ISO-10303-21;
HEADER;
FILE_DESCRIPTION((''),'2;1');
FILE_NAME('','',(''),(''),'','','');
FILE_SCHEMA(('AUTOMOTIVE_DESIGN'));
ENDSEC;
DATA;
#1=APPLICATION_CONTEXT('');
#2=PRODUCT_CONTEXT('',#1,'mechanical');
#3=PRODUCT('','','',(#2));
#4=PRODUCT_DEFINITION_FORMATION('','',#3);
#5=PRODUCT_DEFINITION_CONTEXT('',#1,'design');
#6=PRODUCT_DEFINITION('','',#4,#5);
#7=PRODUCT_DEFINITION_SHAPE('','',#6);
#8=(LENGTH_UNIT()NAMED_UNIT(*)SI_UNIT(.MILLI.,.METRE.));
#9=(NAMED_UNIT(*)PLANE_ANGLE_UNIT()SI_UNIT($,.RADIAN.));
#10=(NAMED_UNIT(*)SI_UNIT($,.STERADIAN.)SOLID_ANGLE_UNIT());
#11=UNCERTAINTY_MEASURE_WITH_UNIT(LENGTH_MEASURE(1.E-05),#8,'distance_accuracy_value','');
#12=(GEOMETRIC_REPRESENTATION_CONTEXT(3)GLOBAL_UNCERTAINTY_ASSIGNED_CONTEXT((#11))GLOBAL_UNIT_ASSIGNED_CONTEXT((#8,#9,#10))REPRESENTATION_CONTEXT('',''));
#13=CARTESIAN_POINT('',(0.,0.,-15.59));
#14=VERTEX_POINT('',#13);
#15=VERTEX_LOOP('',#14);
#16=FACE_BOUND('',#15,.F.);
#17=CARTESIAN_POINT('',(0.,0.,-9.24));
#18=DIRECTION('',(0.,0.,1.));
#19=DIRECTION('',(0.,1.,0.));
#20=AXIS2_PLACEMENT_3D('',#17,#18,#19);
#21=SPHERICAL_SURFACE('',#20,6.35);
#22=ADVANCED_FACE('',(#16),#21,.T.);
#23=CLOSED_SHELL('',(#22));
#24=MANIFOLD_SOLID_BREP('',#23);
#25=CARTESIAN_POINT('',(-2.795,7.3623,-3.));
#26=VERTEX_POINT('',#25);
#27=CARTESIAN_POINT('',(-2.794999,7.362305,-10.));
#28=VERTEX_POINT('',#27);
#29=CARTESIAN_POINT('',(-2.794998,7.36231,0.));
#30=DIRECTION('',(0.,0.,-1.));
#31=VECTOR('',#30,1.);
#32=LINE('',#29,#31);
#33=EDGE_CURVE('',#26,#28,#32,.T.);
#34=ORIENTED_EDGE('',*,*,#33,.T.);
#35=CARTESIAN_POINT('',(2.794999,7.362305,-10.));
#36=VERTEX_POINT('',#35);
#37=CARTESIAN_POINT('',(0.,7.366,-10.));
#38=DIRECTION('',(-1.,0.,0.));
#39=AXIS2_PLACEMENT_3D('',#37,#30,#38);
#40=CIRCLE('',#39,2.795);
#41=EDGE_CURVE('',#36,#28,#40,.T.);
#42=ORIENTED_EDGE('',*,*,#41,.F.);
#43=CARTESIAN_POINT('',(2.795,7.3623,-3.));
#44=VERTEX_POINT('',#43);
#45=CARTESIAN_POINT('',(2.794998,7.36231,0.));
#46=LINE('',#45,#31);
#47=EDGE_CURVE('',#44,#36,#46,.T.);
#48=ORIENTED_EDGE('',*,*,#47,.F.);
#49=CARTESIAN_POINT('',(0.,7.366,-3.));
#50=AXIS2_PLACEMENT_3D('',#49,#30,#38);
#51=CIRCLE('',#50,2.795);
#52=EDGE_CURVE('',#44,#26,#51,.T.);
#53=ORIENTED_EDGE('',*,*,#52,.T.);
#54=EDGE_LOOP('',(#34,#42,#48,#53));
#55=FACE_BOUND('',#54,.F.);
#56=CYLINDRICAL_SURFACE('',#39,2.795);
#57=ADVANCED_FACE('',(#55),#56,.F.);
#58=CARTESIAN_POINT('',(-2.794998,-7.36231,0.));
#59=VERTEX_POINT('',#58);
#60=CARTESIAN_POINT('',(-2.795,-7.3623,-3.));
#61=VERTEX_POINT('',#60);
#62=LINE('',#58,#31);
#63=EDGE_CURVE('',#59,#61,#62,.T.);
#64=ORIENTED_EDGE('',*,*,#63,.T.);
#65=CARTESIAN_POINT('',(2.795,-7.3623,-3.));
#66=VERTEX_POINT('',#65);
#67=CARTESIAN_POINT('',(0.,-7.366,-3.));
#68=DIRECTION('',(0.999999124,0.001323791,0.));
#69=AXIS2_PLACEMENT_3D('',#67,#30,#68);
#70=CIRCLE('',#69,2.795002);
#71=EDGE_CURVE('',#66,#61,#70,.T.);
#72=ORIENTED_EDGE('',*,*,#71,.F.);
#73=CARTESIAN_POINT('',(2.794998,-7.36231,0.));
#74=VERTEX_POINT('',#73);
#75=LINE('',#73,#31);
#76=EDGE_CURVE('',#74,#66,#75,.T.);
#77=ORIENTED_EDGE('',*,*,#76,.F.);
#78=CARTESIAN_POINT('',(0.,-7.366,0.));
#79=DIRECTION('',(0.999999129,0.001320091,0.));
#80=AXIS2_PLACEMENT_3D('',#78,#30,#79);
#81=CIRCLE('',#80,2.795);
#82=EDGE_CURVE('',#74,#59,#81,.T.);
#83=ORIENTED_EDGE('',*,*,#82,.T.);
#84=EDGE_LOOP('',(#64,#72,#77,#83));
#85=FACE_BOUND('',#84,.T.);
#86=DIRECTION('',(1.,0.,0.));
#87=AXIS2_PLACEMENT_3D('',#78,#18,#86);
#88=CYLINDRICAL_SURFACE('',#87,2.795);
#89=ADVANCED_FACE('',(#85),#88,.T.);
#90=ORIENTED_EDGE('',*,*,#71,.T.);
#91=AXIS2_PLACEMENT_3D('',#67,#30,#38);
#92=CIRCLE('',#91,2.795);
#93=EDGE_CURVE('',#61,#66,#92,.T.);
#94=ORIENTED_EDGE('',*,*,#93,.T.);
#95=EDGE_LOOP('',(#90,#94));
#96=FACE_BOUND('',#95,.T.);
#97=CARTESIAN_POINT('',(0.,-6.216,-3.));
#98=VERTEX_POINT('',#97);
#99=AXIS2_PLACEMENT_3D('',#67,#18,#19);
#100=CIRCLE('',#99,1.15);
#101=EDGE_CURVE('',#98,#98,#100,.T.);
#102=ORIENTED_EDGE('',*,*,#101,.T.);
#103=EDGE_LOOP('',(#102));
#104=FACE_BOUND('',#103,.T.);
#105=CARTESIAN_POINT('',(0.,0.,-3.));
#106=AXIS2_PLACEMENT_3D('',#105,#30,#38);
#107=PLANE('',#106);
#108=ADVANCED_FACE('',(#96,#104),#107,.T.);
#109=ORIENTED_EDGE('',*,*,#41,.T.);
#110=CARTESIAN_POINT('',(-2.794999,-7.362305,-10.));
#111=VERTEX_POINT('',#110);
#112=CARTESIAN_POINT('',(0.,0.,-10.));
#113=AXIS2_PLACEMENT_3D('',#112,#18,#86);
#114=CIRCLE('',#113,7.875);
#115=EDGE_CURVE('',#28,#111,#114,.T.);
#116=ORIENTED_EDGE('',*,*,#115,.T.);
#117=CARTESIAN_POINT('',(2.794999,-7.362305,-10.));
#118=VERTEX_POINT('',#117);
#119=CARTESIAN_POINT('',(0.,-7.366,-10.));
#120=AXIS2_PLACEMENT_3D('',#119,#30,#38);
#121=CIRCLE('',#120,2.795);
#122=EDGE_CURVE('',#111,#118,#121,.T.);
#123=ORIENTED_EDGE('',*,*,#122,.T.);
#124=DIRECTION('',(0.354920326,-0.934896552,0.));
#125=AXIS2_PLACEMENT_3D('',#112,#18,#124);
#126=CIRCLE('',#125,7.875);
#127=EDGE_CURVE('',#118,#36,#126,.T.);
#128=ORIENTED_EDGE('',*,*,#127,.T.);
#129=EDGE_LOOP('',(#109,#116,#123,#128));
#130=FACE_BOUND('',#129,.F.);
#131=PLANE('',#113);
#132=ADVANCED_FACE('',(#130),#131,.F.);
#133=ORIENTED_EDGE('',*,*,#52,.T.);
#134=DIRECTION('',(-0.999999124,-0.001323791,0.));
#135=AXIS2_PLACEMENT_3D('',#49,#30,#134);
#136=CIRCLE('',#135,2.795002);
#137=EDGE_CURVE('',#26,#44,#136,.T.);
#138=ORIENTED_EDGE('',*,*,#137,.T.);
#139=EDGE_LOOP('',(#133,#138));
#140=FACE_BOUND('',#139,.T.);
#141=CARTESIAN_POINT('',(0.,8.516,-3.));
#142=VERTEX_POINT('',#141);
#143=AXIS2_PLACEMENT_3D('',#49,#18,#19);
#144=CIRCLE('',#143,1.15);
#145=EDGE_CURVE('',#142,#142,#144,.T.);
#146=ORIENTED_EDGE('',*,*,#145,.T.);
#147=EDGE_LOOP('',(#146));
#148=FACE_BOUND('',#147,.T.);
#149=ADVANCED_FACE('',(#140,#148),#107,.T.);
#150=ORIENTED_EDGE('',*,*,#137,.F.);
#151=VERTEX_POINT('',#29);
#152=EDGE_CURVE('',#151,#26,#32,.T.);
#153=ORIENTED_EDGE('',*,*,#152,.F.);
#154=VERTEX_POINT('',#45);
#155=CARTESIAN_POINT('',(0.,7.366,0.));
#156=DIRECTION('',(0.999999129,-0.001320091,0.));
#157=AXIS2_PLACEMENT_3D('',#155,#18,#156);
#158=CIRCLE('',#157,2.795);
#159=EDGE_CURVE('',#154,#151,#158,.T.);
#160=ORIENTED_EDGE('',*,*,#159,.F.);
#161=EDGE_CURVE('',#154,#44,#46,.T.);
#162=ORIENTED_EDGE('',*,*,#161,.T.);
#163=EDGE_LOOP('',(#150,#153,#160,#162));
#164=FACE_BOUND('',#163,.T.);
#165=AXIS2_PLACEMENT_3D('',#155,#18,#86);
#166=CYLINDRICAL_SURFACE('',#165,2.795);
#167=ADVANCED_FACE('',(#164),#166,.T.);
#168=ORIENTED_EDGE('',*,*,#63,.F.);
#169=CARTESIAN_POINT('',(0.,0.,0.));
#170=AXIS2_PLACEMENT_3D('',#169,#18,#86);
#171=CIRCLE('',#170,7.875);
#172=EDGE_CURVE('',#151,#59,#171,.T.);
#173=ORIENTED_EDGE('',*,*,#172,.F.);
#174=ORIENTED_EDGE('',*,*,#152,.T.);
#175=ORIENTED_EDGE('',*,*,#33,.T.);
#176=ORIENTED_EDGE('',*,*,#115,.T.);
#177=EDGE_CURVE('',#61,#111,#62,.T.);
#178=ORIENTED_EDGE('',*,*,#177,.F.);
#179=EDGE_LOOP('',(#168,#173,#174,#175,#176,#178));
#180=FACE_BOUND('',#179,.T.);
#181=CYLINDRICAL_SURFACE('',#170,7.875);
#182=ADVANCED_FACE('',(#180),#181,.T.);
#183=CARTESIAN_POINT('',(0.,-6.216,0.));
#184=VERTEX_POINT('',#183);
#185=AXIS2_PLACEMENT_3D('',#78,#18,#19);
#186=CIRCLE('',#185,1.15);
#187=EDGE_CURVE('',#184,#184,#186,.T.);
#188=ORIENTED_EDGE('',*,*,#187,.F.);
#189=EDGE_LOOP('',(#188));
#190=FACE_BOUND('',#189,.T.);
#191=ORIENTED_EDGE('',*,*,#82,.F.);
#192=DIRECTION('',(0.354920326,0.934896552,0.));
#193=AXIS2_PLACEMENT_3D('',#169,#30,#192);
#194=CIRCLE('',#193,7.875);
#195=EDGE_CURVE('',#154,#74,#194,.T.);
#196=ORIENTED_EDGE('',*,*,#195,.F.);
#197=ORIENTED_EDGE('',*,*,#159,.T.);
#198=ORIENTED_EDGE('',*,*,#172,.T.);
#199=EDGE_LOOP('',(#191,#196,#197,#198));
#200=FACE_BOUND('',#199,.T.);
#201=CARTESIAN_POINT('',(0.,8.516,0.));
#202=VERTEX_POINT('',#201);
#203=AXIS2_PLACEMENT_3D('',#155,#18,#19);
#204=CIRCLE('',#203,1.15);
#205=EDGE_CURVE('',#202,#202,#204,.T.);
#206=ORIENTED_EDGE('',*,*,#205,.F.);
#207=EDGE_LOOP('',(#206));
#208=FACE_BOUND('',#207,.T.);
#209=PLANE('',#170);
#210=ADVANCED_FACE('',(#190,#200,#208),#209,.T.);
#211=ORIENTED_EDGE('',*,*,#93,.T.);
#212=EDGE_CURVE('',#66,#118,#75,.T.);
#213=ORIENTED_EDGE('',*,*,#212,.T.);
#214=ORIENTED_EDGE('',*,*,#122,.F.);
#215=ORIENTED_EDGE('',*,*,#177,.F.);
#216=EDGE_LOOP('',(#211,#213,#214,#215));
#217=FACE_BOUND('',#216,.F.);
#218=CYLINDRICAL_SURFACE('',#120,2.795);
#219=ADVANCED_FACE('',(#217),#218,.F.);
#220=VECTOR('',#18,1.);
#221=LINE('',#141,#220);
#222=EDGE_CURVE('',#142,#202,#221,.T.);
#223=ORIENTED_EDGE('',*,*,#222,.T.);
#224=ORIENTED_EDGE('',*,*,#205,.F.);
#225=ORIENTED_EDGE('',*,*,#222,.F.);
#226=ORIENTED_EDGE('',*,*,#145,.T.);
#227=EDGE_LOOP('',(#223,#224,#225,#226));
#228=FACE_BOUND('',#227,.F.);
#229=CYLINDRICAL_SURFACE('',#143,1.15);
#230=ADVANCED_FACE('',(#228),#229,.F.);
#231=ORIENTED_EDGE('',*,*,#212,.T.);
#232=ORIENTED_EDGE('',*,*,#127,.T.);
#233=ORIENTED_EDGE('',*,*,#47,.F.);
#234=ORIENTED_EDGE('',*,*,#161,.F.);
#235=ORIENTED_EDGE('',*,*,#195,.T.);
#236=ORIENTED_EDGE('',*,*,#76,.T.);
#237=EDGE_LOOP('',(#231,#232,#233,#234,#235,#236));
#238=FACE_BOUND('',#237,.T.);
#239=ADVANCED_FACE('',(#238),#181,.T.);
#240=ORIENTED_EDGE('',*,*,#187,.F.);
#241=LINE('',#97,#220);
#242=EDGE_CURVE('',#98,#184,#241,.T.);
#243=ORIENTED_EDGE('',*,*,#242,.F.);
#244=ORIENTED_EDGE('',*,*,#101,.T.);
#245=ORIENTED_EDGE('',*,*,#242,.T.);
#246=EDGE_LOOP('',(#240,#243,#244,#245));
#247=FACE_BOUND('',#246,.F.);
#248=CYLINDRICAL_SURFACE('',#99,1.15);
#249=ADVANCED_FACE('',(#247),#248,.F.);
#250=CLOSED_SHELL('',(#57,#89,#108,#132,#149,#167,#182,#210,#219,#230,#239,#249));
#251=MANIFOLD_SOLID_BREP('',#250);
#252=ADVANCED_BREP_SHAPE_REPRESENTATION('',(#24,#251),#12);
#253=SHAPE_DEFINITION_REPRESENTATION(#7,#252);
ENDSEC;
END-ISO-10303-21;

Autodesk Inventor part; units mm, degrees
ref_plane "YZ Plane" through (0, 0, 0) normal (1, 0, 0) x (0, 1, 0)
ref_plane "XZ Plane" through (0, 0, 0) normal (0, 1, 0) x (-1, 0, 0)
ref_plane "XY Plane" through (0, 0, 0) normal (0, 0, 1) x (1, 0, 0)
sketch "Sketch1" plane through (0, 0, 0) normal (0, 0, 1) x (1, 0, 0)
  circle A0 centre (0, 0) radius 7.875
  line L0 (0, 0) -> (8.72, 0)
  circle A1 centre (0, 7.366) radius 2.795
  circle A2 centre (0, -7.366) radius 2.795
  dimension "d0" = 14.732
  dimension "d1" = 15.75
  dimension "d2" = 5.59
extrude "Extrusion1" add sketch "Sketch1" against normal blind 10
sketch "Sketch2" plane through (0, 0, -10) normal (0, 0, -1) x (-1, 0, 0)
  arc A0 (-2.795, -7.3623) -> (2.795, -7.3623) centre (0, -7.366) ccw projected
  arc A1 (2.795, 7.3623) -> (-2.795, 7.3623) centre (0, 7.366) ccw projected
  circle A2 centre (0, -7.366) radius 2.795
  arc A3 (2.795, -7.3623) -> (2.795, 7.3623) centre (0, 0) ccw projected
  circle A4 centre (0, 7.366) radius 2.795
extrude "Extrusion2" cut sketch "Sketch2" against normal blind 7
sketch "Sketch3" plane through (0, 0, -3) normal (0, 0, -1) x (-1, 0, 0)
  arc A0 (2.795, 7.3623) -> (-2.795, 7.3623) centre (0, 7.366) ccw projected
  arc A1 (-2.795, -7.3623) -> (2.795, -7.3623) centre (0, -7.366) ccw projected
  point P0 (0, 0)
hole "Hole1" at (0, 7.366, -3) at (0, -7.366, -3) direction (0, 0, 1) diameter 2.3 depth 8 tip angle 118
sketch "Sketch4" plane through (0, 0, 0) normal (1, 0, 0) x (0, 1, 0)
  line L0 (7.3623, 0) -> (7.3623, -3) projected
  line L1 (7.3623, 0) -> (-7.3623, 0) projected
  line L2 (-7.3623, -3) -> (-7.3623, 0) projected
  line L3 (-7.3623, -10) -> (-7.3623, -3) projected
  line L4 (7.3623, -10) -> (-7.3623, -10) projected
  line L5 (7.3623, -3) -> (7.3623, -10) projected
  circle A0 centre (0, -9.24) radius 6.35
  line L6 (0, -9.24) -> (0, -18.9393)
  line L7 (0, -15.59) -> (0, -2.89)
  point P0 (0, 0)
  dimension "d14" = 12.7
  dimension "d15" = 9.24
revolve "Revolution1" add sketch "Sketch4" angle 360 about axis through (0, 0, -9.24) along (0, 0, -1) separate body picked at (4.0811, -10.4958) picked at (0.471, -5.0597) contours A0 L6 L4 | L4 L6 L7 A0
properties part number "Mini-Q Ball caster" material "ABS Plastic"
